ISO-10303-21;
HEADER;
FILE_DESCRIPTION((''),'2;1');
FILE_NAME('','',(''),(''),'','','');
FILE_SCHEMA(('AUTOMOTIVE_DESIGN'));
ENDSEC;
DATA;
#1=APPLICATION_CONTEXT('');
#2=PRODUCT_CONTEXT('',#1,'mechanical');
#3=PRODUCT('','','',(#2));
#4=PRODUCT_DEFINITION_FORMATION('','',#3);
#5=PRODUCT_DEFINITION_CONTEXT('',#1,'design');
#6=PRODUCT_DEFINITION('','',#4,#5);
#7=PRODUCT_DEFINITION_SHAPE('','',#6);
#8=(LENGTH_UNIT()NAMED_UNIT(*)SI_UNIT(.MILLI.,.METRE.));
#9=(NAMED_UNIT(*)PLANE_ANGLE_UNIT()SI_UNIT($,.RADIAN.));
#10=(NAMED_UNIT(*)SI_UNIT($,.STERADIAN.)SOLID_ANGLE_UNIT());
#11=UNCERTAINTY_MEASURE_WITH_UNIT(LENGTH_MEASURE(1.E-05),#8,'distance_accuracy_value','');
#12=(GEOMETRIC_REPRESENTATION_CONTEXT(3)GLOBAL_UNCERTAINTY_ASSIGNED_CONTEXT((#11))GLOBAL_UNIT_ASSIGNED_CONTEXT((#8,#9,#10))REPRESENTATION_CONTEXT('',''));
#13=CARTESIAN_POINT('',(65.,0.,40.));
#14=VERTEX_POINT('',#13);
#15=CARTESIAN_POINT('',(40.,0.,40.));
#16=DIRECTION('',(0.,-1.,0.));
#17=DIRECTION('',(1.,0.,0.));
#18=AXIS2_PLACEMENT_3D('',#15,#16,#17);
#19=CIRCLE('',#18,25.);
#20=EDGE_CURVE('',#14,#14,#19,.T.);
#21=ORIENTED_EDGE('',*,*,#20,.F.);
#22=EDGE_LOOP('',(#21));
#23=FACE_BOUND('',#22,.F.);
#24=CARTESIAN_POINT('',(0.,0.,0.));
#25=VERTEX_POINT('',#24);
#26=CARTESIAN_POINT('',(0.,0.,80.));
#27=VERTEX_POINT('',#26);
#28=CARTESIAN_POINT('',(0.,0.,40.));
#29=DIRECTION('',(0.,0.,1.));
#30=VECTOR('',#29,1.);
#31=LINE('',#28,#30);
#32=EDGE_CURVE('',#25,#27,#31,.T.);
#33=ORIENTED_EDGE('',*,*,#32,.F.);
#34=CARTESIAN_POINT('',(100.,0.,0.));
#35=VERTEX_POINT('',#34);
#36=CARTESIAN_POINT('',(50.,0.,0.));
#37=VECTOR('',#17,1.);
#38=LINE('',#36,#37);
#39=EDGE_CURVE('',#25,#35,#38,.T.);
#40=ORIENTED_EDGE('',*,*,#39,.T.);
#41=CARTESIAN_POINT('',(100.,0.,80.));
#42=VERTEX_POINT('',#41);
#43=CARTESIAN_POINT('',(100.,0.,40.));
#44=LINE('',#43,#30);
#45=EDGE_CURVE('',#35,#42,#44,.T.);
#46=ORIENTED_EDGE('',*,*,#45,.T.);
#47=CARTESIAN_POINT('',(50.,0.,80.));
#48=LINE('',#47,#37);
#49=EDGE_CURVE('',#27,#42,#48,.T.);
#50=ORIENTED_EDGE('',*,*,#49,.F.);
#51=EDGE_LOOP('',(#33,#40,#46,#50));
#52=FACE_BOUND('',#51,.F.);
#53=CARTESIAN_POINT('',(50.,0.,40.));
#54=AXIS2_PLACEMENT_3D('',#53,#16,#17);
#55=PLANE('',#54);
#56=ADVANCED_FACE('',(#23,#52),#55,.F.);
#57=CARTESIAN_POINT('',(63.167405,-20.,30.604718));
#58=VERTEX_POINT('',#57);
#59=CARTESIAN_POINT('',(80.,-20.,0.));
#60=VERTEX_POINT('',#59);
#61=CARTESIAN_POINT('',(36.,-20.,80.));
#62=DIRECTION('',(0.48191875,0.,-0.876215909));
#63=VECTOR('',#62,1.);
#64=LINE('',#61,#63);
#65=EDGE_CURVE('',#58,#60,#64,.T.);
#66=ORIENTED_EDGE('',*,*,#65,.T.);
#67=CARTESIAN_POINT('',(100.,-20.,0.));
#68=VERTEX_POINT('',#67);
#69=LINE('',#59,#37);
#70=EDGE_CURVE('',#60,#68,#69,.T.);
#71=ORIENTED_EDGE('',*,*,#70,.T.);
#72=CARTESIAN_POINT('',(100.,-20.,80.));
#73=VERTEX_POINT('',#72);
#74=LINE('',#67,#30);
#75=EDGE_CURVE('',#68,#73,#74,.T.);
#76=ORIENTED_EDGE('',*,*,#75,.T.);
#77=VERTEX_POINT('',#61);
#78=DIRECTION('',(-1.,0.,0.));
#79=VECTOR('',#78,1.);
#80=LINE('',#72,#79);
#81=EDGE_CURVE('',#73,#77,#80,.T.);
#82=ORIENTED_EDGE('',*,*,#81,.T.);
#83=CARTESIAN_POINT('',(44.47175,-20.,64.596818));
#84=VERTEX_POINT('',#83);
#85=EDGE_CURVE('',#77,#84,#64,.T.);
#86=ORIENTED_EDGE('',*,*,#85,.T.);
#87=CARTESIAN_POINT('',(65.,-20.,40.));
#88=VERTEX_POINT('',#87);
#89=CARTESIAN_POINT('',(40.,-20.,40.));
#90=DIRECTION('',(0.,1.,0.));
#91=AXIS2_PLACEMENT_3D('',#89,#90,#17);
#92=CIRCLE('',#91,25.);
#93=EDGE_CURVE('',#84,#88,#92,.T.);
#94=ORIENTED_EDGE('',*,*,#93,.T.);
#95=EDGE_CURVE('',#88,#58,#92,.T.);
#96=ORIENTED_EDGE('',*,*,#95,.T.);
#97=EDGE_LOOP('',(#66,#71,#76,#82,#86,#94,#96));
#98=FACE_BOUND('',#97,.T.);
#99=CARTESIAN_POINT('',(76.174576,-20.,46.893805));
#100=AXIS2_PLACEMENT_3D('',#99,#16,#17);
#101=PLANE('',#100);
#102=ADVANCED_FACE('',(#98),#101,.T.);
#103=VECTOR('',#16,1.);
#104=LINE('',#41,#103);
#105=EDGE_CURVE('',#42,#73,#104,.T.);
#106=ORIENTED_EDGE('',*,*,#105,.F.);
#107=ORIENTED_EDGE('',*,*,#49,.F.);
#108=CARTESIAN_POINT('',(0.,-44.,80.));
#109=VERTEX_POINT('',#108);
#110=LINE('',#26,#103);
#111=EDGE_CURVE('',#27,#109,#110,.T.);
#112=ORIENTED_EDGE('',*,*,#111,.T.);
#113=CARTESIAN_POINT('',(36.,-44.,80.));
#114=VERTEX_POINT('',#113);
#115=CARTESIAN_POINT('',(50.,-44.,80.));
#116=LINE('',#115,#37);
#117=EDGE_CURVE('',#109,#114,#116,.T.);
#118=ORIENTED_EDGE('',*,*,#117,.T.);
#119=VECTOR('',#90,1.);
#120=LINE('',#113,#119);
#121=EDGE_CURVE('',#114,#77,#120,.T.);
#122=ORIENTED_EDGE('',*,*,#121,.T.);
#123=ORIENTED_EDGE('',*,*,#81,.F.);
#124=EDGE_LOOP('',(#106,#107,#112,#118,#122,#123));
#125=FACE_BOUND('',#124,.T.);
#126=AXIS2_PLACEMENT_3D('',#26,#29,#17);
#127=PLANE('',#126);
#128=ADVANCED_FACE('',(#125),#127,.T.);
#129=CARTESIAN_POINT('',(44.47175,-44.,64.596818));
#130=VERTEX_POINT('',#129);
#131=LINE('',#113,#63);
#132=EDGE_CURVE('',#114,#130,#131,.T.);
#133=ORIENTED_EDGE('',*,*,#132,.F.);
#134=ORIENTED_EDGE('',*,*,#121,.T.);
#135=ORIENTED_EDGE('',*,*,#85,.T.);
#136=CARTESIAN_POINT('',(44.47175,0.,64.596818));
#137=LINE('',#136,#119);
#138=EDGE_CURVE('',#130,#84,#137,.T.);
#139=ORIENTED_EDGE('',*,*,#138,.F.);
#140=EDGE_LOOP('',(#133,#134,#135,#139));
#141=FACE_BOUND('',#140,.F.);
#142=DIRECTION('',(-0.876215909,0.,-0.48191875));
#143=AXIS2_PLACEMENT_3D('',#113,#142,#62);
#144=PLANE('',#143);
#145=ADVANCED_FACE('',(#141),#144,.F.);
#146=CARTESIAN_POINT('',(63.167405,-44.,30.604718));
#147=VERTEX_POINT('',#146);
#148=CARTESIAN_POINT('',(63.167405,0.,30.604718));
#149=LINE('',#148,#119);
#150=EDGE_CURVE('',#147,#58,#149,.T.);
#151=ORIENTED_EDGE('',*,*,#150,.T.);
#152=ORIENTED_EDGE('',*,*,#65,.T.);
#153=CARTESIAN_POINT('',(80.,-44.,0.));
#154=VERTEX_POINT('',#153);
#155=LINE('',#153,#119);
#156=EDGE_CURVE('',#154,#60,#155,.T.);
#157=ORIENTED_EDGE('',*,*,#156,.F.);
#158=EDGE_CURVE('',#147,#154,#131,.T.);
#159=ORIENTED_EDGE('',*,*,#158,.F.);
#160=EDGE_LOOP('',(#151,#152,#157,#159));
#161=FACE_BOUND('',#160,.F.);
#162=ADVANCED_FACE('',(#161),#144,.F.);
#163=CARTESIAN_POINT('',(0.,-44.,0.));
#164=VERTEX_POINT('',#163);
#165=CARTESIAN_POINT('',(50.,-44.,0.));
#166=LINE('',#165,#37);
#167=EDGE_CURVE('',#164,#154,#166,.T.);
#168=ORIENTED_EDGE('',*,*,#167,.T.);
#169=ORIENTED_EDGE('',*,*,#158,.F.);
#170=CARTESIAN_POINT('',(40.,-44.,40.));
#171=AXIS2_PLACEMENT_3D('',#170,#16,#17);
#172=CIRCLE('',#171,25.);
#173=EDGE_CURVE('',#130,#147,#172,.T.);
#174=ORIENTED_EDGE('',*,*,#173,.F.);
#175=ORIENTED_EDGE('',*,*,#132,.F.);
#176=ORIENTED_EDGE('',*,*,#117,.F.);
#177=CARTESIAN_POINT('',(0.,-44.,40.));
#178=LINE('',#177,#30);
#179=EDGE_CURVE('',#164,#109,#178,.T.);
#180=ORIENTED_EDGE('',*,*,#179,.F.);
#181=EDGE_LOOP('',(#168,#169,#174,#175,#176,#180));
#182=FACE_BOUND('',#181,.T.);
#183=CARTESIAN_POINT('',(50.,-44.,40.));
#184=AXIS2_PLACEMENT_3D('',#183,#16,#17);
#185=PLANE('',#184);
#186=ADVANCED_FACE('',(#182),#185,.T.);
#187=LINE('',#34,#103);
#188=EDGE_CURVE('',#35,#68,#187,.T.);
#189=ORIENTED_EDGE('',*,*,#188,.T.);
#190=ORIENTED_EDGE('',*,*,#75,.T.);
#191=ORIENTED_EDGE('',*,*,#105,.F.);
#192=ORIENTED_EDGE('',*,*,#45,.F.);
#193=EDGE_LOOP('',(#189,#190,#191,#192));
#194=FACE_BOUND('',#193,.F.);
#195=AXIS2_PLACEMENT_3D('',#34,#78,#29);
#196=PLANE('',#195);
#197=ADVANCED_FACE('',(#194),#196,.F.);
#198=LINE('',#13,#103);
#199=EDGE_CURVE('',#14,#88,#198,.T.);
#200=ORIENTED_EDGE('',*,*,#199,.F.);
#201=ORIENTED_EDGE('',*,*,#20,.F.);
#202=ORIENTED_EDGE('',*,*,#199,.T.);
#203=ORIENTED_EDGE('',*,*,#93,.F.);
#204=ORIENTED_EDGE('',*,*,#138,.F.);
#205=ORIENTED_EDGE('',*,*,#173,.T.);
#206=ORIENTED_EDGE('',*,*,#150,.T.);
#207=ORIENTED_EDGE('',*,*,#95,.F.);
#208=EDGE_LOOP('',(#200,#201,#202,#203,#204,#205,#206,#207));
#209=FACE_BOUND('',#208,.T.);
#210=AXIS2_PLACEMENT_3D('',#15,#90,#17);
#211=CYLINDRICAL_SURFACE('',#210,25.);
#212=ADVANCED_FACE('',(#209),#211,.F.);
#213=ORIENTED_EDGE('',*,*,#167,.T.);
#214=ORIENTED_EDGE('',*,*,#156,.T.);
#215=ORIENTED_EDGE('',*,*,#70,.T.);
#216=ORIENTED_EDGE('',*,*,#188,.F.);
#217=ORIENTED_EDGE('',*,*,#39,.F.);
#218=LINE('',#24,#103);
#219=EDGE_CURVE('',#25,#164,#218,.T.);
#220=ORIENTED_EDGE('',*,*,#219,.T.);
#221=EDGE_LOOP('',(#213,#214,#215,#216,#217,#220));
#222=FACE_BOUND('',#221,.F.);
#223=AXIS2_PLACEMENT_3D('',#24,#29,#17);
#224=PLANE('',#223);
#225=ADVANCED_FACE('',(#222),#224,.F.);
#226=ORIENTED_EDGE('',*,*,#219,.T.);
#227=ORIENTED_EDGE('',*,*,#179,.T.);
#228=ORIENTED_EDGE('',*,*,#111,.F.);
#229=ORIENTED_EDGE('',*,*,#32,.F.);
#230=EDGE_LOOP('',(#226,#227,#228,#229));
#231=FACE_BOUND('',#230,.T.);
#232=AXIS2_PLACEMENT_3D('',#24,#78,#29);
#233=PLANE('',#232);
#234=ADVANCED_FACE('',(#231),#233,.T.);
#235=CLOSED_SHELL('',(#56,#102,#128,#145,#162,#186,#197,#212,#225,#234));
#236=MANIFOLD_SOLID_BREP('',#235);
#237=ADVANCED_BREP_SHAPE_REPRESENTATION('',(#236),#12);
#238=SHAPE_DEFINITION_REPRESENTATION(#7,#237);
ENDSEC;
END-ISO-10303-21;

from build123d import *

# Parameters (mm, degrees)
F0_W     = 100
F0_H     = 80
F0_R     = 25
F1_DEPTH = 44
F3_DEPTH = 24


with BuildPart() as f1:
    # F0 (on Front) → F1 (new body)
    with BuildSketch(Plane.XZ):
        with Locations((50, 40)):
            Rectangle(F0_W, F0_H)
        with Locations((40, 40)):
            Circle(F0_R, mode=Mode.SUBTRACT)
    extrude(amount=F1_DEPTH)

    # F2 (on face) → F3 (cut)
    with BuildSketch(Plane.XZ.offset(44)):
        Polygon((100, 80), (36, 80), (80, 0), (100, 0), align=None)
    extrude(amount=-F3_DEPTH, mode=Mode.SUBTRACT)


solid = f1.part
